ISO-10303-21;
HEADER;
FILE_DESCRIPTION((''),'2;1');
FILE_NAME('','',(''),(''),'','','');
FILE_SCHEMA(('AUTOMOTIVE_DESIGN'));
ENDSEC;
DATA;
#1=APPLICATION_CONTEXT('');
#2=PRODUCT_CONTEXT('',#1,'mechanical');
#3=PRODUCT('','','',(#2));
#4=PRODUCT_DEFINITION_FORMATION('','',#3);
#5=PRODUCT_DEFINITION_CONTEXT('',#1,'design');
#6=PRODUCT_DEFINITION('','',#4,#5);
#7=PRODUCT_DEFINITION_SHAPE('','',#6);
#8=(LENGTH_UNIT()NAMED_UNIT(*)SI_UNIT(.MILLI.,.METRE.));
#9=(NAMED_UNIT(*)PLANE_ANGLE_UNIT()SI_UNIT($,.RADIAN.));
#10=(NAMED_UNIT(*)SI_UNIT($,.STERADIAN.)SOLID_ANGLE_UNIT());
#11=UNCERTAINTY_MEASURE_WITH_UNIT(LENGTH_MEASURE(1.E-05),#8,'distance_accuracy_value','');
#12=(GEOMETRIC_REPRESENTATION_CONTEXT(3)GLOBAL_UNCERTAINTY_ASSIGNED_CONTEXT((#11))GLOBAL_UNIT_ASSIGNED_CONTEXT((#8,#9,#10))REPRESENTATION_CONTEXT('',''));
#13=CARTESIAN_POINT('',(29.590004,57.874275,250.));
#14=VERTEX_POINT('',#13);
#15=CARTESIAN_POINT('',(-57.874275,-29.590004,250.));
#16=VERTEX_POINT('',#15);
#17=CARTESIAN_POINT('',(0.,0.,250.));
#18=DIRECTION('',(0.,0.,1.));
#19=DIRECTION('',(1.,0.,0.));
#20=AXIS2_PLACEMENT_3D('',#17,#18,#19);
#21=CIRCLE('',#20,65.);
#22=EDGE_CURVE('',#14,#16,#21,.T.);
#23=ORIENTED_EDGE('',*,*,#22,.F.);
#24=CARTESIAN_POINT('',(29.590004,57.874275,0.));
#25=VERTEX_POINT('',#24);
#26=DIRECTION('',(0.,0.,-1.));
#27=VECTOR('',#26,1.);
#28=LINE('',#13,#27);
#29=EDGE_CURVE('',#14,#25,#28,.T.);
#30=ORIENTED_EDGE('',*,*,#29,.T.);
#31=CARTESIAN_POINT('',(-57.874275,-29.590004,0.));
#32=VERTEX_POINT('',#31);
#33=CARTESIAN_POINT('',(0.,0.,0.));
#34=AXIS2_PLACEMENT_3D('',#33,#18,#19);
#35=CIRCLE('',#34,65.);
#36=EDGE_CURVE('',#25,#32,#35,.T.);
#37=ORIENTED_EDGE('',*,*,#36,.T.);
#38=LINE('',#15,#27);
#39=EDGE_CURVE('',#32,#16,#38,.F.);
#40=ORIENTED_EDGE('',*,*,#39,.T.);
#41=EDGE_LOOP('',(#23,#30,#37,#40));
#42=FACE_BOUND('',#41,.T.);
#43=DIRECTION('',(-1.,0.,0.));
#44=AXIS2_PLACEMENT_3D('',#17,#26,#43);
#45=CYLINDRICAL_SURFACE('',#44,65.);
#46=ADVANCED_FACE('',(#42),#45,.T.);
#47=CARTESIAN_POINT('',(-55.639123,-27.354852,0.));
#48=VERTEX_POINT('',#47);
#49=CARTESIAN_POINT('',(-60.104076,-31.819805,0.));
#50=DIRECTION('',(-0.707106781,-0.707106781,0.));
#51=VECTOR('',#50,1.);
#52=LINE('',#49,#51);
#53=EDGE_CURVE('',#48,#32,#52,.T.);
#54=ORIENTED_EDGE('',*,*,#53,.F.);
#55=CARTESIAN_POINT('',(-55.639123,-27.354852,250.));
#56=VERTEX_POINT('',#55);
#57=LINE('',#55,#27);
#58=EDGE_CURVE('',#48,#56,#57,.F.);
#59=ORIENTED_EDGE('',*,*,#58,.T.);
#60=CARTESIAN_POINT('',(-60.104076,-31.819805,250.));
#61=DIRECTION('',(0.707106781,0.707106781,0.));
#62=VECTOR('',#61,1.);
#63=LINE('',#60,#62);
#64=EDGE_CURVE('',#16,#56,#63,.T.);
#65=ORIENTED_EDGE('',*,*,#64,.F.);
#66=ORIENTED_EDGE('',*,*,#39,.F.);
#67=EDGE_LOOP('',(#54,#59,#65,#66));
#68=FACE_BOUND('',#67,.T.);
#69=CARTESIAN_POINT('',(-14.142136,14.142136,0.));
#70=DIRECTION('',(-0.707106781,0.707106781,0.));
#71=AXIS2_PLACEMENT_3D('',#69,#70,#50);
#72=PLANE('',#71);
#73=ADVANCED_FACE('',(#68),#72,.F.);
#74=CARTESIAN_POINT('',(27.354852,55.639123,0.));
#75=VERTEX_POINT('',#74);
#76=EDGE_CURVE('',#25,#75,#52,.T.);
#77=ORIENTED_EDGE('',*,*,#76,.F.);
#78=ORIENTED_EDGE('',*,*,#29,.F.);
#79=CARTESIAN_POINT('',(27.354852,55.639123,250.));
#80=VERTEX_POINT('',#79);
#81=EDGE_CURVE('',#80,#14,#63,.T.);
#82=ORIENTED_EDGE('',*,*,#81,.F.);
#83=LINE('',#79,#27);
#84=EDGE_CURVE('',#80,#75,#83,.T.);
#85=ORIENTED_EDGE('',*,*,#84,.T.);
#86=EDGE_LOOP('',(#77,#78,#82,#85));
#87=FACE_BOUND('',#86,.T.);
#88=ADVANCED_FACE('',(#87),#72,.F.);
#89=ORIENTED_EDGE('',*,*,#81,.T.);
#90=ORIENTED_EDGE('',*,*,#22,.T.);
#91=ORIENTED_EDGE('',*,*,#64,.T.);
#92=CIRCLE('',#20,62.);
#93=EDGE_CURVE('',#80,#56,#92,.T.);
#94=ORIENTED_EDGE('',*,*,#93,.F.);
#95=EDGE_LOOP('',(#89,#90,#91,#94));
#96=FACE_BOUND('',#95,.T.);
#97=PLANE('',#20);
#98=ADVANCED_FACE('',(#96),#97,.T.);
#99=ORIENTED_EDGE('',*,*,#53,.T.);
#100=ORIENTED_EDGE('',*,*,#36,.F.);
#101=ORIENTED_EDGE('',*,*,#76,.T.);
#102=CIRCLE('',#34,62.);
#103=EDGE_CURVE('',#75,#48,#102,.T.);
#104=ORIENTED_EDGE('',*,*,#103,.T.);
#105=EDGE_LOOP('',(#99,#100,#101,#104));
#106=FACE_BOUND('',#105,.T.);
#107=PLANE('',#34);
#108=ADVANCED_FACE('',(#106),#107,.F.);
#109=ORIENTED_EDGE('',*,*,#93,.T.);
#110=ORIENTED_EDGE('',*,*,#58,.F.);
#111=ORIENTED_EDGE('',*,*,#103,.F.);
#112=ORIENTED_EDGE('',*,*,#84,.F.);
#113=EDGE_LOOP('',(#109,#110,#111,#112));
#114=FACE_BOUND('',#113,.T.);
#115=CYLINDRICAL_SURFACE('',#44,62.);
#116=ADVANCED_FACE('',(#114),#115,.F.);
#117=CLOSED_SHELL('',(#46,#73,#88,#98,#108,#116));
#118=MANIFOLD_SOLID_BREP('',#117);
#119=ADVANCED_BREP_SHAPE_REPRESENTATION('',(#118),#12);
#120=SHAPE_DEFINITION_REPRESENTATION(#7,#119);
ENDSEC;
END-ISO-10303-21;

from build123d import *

# Parameters (mm, degrees)
SKETCH1_R           = 65
SKETCH1_R_2         = 62
BOSS_EXTRUDE1_DEPTH = 250
SKETCH4_W           = 130
SKETCH4_H           = 250
CUT_EXTRUDE4_DEPTH  = 516


with BuildPart() as part:
    # Sketch1 → Boss-Extrude1 (new body)
    with BuildSketch(Plane.XY):
        Circle(SKETCH1_R)
        Circle(SKETCH1_R_2, mode=Mode.SUBTRACT)
    extrude(amount=BOSS_EXTRUDE1_DEPTH)

    # Sketch4 → Cut-Extrude4 (cut)
    with BuildSketch(Plane(origin=(-14.142135624, 14.142135624, 0), x_dir=(0.7071067811865477, 0.7071067811865475, 0), z_dir=(-0.7071067811865475, 0.7071067811865477, 0))):
        with Locations((0, -125)):
            Rectangle(SKETCH4_W, SKETCH4_H)
    extrude(amount=-CUT_EXTRUDE4_DEPTH, mode=Mode.SUBTRACT)


solid = part.part
